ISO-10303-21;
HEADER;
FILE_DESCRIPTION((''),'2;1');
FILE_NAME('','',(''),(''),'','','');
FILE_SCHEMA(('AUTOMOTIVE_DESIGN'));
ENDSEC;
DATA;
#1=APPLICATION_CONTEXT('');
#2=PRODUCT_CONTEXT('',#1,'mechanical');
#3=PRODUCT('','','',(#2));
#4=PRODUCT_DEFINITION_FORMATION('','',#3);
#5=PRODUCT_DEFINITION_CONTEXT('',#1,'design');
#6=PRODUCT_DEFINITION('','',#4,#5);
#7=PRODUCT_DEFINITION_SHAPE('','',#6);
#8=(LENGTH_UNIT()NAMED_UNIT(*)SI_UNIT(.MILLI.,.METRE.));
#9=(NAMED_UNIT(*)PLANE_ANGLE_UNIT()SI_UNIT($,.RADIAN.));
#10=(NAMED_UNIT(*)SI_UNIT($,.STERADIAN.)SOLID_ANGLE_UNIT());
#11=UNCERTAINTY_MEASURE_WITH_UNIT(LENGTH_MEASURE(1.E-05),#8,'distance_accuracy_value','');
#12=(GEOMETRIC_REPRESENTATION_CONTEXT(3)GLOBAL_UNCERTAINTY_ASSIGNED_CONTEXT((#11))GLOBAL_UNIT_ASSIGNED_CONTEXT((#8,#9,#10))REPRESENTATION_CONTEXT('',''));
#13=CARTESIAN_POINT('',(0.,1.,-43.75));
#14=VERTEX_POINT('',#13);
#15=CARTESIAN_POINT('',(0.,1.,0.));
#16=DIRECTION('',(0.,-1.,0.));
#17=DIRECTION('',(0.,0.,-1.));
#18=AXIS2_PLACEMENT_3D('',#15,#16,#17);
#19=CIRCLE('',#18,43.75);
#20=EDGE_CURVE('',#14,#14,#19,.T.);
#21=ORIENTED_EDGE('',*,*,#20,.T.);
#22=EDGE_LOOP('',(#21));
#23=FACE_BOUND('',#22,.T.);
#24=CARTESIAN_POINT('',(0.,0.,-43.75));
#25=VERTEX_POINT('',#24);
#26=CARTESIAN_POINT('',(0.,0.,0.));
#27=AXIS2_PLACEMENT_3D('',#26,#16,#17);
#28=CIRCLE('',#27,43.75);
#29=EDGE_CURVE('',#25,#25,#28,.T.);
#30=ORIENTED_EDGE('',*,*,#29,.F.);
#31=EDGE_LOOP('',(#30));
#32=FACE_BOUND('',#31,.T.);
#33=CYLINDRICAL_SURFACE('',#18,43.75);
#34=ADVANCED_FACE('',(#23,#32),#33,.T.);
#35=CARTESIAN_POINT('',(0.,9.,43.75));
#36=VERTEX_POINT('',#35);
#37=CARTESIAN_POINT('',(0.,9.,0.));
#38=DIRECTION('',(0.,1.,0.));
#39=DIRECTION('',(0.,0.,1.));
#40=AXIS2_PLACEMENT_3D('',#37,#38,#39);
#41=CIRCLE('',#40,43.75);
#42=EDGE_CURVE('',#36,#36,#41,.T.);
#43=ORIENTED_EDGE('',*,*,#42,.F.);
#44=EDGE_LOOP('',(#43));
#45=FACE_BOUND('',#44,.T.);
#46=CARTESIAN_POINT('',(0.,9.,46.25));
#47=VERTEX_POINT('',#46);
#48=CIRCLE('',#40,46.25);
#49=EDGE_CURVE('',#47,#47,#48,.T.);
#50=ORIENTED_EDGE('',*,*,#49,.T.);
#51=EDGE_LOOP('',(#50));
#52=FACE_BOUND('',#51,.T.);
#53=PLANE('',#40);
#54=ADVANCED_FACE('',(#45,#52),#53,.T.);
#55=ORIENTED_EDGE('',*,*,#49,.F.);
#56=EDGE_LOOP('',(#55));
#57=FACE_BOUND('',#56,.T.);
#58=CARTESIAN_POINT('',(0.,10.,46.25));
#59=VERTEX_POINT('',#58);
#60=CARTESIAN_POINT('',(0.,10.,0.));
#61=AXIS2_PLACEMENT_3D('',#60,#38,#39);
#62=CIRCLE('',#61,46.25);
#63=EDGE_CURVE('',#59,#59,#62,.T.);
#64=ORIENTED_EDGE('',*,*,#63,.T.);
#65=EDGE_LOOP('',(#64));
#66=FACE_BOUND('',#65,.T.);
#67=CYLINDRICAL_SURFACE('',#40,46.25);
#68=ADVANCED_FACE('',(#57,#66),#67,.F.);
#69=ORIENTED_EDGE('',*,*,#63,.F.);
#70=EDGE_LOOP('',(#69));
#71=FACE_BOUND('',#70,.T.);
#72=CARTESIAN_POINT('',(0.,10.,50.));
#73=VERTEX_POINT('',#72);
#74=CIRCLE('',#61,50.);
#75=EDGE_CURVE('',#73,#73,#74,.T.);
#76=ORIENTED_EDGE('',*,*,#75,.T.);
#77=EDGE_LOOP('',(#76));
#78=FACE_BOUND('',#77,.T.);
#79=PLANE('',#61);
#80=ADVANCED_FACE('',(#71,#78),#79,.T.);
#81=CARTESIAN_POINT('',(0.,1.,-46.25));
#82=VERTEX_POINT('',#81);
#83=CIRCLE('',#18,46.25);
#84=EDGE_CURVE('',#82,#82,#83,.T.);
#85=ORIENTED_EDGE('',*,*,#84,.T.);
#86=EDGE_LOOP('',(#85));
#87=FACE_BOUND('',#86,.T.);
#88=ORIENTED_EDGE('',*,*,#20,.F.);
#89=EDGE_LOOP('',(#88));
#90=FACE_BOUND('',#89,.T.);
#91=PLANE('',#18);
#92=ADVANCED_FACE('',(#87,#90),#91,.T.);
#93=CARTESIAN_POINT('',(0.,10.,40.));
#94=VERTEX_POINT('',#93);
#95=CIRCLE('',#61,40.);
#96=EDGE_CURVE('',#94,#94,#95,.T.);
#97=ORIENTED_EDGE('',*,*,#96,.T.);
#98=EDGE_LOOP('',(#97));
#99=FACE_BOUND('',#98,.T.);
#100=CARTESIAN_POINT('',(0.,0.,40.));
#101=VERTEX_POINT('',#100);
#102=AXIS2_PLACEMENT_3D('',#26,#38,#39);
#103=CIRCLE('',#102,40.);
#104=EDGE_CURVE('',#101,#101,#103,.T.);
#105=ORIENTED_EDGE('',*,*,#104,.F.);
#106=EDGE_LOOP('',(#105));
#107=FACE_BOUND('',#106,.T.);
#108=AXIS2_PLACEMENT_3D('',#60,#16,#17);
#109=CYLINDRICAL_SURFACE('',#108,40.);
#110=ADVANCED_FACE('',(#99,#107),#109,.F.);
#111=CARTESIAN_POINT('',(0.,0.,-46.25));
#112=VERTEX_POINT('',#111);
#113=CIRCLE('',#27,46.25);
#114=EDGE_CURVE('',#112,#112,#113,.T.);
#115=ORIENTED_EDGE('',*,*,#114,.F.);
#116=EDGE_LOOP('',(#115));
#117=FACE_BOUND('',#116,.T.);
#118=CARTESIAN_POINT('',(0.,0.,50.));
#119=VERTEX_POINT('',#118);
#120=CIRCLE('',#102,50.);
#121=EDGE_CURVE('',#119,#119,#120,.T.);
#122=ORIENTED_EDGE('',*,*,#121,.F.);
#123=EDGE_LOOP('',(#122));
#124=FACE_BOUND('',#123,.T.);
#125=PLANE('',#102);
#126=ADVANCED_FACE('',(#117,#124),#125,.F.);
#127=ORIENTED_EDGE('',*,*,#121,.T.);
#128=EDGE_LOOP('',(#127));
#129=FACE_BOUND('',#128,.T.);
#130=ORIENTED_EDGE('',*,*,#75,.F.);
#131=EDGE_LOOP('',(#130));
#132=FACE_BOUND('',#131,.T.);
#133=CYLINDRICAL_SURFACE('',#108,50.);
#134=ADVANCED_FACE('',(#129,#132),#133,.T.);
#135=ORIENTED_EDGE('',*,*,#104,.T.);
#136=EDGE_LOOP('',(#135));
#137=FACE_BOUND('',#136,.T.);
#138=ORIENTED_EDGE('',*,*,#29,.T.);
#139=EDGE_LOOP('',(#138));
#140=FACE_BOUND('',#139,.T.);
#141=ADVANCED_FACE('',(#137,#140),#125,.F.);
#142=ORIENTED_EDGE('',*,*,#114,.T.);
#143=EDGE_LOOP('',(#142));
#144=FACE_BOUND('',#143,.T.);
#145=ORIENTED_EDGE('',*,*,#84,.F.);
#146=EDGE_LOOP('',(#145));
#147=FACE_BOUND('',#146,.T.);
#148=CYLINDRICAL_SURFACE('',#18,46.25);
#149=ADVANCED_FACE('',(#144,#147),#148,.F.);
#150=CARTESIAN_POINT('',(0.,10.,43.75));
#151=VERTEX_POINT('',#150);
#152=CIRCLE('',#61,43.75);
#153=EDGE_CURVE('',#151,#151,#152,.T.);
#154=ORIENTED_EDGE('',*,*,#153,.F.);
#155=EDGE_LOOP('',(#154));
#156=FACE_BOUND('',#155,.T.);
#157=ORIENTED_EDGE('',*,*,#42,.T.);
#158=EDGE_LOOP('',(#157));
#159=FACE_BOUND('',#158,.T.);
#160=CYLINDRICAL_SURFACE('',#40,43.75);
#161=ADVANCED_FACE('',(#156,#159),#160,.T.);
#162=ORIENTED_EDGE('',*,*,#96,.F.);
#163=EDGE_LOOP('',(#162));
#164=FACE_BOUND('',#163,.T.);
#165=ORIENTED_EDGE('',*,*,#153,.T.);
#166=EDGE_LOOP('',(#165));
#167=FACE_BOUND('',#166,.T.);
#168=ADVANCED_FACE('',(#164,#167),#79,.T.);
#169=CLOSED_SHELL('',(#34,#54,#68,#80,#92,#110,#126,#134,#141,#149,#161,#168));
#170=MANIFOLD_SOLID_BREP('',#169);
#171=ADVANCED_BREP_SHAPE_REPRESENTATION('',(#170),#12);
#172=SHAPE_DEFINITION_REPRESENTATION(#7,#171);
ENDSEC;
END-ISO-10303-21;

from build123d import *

# Parameters (mm, degrees)
SKETCH1_R           = 50
SKETCH1_R_2         = 40
BOSS_EXTRUDE1_DEPTH = 10
SKETCH2_R           = 46.25
SKETCH2_R_2         = 43.75
CUT_EXTRUDE1_DEPTH  = 1
CUT_EXTRUDE2_START  = -1
SKETCH3_R           = 46.25
SKETCH3_R_2         = 43.75
CUT_EXTRUDE2_DEPTH  = 1


with BuildPart() as part:
    # Sketch1 → Boss-Extrude1 (new body)
    with BuildSketch(Plane(origin=(0, 0, 0), x_dir=(1, 0, 0), z_dir=(0, 1, 0))):
        with Locations(Location((0, 0, 0), (0, 0, 270))):
            Circle(SKETCH1_R)
        with Locations(Location((0, 0, 0), (0, 0, 270))):
            Circle(SKETCH1_R_2, mode=Mode.SUBTRACT)
    extrude(amount=BOSS_EXTRUDE1_DEPTH)

    # Sketch2 → Cut-Extrude1 (cut)
    with BuildSketch(Plane(origin=(0, 10, 0), x_dir=(1, 0, 0), z_dir=(0, 1, 0))):
        with Locations(Location((0, 0, 0), (0, 0, 270))):
            Circle(SKETCH2_R)
        with Locations(Location((0, 0, 0), (0, 0, 270))):
            Circle(SKETCH2_R_2, mode=Mode.SUBTRACT)
    extrude(amount=-CUT_EXTRUDE1_DEPTH, mode=Mode.SUBTRACT)

    # Sketch3 → Cut-Extrude2 (cut)
    with BuildSketch(Plane.XZ.offset(CUT_EXTRUDE2_START)):
        with Locations(Location((0, 0, 0), (0, 0, 90))):
            Circle(SKETCH3_R)
        with Locations(Location((0, 0, 0), (0, 0, 90))):
            Circle(SKETCH3_R_2, mode=Mode.SUBTRACT)
    extrude(amount=CUT_EXTRUDE2_DEPTH, mode=Mode.SUBTRACT)


solid = part.part
